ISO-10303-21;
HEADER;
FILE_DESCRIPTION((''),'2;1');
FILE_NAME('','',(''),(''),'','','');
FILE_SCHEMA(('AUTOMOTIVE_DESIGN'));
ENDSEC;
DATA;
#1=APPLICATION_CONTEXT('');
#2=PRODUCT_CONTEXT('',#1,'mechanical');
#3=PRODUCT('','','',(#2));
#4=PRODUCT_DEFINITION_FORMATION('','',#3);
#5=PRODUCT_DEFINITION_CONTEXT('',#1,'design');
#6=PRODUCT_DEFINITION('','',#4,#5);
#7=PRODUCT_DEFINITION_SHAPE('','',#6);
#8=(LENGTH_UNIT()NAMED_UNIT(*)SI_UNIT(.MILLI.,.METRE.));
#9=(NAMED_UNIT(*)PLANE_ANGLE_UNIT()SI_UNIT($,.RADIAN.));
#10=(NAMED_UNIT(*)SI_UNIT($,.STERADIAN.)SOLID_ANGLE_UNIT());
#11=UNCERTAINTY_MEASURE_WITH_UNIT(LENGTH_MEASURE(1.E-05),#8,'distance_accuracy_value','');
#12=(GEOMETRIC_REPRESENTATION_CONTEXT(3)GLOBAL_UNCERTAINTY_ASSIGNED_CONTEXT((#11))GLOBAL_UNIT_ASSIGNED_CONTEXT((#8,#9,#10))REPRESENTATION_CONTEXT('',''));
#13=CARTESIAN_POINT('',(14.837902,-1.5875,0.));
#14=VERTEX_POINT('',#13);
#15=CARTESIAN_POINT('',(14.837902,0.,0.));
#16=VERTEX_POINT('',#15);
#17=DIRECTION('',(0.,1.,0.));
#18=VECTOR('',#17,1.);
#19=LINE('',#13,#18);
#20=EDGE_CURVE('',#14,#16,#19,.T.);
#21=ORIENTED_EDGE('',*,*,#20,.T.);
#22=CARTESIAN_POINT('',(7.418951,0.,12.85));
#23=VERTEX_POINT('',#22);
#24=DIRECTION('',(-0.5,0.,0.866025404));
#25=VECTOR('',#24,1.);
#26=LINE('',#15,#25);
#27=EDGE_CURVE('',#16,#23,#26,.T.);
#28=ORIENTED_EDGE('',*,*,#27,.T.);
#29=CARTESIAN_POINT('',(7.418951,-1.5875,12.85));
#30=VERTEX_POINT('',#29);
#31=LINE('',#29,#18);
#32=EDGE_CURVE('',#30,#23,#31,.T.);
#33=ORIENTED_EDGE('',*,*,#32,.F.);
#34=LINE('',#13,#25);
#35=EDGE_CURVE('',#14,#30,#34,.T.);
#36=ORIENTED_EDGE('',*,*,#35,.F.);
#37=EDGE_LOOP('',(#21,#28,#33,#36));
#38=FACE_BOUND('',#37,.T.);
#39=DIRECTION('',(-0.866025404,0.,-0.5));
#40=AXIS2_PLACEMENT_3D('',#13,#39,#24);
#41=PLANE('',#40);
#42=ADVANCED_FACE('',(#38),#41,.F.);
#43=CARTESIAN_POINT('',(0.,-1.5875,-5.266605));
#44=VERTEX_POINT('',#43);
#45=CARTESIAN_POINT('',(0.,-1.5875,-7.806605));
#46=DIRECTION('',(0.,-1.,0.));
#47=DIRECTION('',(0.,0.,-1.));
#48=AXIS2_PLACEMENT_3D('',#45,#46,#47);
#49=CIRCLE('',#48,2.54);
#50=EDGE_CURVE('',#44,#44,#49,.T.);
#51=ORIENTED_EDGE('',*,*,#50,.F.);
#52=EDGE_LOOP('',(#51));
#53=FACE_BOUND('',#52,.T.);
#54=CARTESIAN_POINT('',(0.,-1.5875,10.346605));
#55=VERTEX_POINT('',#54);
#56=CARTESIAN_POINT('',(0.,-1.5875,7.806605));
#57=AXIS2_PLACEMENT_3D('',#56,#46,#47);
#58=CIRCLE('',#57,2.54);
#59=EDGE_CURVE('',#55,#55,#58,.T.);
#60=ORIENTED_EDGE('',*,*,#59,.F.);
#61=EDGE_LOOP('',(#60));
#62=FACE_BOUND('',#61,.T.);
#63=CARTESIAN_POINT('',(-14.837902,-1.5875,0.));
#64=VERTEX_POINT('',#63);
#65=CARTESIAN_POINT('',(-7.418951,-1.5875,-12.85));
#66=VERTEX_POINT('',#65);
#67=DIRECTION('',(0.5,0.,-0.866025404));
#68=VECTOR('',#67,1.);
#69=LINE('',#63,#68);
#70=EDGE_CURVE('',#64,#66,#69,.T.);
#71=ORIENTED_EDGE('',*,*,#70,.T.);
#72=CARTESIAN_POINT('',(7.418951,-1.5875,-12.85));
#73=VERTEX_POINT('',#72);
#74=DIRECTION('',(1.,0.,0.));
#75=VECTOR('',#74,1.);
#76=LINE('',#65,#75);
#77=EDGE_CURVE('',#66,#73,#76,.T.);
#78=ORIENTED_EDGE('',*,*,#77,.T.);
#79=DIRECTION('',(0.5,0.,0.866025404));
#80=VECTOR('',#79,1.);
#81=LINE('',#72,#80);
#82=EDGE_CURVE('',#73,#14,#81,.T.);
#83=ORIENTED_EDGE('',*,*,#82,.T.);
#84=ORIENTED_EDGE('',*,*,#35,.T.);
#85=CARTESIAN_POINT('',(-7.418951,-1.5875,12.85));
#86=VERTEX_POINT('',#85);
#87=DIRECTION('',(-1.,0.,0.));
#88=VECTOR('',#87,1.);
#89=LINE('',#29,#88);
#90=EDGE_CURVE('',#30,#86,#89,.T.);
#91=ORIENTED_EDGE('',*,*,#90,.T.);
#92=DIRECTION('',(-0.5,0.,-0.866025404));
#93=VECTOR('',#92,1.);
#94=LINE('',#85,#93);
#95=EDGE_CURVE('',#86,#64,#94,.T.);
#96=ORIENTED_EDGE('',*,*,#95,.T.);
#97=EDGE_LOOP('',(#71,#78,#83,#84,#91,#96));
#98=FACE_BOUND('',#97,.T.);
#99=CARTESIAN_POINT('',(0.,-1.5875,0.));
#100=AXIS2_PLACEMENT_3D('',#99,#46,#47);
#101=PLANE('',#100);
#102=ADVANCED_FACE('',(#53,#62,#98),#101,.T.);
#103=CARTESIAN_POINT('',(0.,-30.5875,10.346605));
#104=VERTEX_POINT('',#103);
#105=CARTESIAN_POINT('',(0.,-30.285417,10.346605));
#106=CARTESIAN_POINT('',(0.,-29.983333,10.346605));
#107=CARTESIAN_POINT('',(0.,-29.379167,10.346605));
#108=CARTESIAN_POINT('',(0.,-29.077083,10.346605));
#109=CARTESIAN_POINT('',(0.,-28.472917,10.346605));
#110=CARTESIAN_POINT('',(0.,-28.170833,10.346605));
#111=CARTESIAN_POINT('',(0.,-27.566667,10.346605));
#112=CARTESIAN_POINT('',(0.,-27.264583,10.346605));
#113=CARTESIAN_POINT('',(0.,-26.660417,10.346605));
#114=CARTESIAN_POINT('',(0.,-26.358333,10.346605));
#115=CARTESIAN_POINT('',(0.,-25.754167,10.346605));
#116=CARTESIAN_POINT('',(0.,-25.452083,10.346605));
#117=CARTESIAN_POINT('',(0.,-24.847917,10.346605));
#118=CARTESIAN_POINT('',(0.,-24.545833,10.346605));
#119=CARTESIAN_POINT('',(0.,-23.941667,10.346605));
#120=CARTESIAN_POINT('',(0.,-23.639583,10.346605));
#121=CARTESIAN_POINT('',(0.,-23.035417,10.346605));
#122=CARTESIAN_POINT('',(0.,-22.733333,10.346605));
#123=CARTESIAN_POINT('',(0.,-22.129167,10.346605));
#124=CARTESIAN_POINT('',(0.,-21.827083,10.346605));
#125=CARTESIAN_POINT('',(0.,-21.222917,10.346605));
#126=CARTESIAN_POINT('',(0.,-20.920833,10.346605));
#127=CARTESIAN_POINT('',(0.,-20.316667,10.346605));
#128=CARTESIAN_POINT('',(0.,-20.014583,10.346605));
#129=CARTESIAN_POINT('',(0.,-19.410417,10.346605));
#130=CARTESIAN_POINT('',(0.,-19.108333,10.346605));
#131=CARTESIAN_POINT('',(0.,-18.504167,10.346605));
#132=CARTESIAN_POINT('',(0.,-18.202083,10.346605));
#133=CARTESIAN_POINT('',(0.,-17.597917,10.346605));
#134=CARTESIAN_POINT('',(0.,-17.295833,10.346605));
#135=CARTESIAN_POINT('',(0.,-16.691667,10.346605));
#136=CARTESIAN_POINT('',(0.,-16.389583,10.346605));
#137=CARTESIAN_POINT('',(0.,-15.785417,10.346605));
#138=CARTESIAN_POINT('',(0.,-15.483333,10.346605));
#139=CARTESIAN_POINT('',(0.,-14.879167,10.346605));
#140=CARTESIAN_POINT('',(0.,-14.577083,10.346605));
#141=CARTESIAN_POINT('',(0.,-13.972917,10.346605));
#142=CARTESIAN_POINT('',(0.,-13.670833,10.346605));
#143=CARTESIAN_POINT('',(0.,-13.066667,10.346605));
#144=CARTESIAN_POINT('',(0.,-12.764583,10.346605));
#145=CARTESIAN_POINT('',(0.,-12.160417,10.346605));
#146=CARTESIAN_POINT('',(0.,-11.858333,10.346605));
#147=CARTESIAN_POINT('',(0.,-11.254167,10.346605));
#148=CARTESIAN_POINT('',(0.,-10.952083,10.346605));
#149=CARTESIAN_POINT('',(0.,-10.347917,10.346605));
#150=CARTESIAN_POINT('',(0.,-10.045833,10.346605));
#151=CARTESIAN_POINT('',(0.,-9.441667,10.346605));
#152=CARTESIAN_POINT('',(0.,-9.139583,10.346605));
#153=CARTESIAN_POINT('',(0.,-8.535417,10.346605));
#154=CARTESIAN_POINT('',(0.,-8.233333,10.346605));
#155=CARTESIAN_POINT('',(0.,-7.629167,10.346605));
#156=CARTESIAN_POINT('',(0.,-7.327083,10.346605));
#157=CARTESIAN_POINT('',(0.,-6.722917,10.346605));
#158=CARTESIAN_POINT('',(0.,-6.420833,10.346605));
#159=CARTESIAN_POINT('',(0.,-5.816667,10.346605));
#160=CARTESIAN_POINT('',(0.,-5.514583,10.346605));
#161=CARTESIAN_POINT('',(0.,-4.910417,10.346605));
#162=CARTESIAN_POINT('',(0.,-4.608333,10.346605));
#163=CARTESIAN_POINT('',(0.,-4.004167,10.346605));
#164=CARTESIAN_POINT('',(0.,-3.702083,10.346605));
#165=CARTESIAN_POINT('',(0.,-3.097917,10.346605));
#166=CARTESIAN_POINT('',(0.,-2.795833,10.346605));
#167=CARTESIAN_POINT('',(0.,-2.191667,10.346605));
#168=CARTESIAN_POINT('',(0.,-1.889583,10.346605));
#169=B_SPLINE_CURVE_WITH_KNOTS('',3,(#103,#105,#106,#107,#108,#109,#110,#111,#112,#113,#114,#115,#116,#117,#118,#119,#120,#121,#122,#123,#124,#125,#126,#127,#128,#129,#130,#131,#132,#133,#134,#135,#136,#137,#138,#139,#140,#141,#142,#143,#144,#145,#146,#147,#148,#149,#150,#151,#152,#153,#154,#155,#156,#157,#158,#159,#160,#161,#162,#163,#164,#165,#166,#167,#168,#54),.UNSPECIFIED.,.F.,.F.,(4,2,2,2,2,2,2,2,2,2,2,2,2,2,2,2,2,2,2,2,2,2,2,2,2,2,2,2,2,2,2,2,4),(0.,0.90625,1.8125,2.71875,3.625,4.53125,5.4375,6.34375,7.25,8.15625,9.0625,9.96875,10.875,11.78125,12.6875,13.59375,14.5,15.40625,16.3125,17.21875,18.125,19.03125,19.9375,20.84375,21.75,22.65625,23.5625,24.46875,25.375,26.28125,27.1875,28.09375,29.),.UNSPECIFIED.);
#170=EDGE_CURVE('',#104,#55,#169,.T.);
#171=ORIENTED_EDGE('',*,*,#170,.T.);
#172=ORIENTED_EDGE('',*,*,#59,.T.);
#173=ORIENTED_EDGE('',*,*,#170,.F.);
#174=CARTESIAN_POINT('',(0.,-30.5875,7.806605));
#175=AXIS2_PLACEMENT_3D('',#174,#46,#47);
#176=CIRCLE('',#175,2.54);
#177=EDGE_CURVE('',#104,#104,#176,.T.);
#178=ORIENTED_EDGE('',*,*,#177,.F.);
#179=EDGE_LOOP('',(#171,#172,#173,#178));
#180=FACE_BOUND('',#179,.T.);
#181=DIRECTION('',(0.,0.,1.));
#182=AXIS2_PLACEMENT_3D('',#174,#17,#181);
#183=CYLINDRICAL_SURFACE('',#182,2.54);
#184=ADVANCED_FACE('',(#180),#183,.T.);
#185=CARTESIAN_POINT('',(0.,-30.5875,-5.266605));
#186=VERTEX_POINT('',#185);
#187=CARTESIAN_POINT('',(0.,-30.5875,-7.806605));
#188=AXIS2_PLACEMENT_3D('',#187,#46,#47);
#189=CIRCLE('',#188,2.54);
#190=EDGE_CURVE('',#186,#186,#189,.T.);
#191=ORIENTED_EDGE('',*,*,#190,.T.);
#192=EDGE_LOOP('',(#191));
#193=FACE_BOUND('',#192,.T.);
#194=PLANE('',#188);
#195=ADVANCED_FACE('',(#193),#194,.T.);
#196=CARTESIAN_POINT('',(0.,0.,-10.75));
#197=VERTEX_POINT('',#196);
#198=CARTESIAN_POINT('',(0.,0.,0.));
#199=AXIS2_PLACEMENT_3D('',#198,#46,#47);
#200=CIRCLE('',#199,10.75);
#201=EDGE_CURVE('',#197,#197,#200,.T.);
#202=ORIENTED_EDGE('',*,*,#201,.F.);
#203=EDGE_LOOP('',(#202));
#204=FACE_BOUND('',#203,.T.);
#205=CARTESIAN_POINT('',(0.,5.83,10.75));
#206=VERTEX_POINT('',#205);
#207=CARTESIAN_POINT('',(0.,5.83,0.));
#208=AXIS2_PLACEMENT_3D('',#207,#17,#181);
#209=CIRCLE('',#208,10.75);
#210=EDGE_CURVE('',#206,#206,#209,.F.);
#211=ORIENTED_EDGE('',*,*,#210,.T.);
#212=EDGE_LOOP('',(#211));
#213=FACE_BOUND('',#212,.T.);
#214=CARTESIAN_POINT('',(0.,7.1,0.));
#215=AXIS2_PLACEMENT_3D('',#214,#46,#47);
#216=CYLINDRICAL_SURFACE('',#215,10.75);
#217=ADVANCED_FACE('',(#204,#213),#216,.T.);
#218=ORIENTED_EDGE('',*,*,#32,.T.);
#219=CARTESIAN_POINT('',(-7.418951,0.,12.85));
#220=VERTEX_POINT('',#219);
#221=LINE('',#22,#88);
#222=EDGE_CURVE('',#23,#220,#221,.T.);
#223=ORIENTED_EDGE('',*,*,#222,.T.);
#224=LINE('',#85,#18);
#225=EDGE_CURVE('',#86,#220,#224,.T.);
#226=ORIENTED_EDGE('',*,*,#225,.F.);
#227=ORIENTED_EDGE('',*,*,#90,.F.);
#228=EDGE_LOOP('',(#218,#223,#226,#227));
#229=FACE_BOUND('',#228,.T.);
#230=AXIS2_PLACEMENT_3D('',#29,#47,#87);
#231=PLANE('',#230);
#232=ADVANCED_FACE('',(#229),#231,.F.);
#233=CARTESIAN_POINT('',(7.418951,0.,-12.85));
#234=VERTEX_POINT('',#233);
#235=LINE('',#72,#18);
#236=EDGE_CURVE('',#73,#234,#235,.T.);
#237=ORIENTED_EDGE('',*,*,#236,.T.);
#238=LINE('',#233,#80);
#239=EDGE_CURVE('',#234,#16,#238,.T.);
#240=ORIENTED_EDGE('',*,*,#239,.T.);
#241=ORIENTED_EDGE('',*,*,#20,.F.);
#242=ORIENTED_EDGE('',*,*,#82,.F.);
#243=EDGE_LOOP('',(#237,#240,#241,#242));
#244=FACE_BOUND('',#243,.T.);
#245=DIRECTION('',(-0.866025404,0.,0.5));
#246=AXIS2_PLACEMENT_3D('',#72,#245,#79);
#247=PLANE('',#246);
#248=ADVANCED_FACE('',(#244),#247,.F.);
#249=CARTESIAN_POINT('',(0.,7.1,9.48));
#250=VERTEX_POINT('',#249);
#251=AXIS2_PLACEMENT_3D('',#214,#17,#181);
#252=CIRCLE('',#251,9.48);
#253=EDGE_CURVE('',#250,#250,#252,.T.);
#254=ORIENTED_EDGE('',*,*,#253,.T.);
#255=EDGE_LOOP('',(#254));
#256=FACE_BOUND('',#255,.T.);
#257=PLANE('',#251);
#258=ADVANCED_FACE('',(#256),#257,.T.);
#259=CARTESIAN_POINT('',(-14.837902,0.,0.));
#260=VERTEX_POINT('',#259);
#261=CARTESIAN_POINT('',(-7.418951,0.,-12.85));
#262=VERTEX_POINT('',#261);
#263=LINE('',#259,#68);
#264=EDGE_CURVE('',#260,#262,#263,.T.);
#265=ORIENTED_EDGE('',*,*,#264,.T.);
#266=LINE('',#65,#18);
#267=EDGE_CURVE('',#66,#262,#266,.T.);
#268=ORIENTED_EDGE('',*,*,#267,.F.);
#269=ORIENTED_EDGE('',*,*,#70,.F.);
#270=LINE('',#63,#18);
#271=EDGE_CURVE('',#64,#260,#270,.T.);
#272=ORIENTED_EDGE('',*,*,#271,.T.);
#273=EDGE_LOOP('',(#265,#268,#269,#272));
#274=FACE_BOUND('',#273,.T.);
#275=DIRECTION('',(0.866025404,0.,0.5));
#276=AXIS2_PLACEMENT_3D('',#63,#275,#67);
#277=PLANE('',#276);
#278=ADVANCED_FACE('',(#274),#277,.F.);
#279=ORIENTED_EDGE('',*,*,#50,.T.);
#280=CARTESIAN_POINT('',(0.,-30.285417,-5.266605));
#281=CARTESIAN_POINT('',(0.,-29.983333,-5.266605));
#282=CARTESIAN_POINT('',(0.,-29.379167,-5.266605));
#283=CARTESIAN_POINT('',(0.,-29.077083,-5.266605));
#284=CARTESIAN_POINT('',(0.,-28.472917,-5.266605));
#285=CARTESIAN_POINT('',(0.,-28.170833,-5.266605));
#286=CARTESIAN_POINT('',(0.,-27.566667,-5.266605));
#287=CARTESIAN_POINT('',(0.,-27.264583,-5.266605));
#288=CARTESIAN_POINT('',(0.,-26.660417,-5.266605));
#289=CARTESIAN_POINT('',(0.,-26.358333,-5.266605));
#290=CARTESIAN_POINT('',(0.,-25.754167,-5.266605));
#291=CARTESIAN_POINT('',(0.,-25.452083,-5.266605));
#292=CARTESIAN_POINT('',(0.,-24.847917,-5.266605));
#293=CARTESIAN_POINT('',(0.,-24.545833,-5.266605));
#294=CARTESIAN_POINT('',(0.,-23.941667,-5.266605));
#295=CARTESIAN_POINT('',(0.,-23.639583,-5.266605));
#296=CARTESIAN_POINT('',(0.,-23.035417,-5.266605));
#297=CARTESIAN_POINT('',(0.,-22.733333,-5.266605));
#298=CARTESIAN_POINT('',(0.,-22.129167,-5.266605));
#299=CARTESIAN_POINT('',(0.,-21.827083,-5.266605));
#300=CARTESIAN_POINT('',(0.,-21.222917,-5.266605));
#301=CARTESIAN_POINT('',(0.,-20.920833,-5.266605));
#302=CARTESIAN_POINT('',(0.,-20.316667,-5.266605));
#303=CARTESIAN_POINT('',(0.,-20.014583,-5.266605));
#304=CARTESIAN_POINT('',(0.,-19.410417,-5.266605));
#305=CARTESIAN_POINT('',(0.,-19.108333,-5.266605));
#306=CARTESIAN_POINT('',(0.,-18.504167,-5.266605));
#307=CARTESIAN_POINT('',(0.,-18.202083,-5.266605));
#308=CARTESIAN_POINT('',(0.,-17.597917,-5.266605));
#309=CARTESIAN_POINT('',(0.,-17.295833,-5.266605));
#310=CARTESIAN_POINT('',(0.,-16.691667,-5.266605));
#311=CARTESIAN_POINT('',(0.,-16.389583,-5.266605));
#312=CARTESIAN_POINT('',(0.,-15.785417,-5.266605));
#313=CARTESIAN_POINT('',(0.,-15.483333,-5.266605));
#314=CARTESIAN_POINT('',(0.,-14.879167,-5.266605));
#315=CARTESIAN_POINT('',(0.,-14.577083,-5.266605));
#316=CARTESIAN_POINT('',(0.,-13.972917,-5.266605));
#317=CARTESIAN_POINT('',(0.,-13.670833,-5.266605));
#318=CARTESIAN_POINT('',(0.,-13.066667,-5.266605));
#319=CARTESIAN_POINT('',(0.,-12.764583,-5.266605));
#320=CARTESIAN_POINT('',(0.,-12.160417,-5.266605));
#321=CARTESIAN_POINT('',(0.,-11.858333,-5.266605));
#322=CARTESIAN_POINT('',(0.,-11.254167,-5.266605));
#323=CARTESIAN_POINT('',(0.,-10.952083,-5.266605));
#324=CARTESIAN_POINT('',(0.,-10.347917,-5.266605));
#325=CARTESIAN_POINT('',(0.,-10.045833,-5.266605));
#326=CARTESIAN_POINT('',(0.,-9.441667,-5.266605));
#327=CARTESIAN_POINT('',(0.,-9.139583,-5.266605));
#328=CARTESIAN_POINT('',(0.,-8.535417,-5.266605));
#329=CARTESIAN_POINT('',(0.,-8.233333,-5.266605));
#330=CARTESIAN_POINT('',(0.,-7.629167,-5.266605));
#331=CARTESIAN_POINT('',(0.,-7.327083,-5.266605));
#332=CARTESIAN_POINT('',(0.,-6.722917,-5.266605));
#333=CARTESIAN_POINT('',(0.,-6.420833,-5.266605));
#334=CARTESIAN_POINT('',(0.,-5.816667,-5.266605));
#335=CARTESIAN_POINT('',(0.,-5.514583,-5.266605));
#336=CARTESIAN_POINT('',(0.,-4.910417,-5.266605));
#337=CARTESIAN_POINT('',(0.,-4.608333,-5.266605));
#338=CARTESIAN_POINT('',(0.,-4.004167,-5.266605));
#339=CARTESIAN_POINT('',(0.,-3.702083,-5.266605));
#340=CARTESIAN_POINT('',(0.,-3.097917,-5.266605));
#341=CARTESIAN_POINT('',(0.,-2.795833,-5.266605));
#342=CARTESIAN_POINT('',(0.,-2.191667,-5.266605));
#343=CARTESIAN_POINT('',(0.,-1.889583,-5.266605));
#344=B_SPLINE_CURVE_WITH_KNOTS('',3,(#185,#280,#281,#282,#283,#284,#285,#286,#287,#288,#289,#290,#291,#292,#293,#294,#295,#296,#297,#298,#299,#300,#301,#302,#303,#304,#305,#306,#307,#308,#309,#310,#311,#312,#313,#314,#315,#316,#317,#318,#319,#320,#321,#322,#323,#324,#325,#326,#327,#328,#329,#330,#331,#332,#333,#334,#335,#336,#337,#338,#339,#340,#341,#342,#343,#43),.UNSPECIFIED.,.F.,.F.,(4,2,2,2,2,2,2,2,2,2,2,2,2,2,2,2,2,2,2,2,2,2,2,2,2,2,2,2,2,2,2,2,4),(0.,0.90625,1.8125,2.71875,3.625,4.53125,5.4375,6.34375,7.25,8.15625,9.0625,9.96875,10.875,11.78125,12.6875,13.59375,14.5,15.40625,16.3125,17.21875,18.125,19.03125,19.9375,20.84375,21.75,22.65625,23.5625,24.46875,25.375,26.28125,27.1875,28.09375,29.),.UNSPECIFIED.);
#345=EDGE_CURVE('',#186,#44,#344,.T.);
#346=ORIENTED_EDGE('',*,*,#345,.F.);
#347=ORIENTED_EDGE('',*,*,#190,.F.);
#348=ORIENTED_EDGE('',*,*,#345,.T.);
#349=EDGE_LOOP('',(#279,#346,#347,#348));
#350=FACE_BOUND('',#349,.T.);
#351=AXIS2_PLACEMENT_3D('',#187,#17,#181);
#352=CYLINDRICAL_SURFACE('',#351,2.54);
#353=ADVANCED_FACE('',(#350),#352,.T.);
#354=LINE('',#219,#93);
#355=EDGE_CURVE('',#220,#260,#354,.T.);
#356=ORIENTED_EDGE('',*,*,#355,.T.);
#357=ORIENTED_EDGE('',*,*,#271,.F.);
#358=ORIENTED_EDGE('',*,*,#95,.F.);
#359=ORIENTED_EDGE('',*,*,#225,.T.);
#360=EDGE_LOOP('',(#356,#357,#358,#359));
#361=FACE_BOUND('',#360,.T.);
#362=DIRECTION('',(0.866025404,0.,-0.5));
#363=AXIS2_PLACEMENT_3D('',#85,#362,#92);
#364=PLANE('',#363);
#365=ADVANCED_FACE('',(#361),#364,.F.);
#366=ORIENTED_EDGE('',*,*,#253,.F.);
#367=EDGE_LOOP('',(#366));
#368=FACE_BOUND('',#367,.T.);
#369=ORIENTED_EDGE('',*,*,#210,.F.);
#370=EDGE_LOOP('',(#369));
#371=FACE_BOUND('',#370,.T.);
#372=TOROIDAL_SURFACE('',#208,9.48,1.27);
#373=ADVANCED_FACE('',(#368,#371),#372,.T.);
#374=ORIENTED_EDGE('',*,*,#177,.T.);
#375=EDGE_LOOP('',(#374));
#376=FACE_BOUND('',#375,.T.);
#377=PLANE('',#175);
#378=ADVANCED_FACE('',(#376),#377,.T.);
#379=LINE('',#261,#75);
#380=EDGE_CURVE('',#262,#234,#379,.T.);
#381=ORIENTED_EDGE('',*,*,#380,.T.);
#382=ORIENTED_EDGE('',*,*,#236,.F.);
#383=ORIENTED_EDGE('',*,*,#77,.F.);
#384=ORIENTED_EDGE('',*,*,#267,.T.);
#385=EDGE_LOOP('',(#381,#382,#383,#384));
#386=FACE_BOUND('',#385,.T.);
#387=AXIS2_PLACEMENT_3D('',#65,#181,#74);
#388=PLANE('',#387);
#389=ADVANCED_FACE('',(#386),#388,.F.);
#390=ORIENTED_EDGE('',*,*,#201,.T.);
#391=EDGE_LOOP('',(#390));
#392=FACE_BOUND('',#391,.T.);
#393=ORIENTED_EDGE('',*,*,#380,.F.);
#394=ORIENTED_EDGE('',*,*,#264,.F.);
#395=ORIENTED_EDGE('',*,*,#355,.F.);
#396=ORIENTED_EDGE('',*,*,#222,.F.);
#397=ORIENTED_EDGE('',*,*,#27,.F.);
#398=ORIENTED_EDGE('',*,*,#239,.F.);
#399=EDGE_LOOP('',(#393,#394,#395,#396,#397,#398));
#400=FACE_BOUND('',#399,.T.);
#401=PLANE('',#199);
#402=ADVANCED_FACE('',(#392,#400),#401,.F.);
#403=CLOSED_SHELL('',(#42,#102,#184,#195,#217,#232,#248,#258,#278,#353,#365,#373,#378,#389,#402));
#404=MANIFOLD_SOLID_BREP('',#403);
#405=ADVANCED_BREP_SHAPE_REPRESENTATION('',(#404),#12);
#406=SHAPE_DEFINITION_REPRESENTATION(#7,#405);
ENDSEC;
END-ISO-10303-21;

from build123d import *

# Parameters (mm, degrees)
SKETCH1_R           = 10.75
BOSS_EXTRUDE1_DEPTH = 7.1
BOSS_EXTRUDE2_DEPTH = 1.5875
SKETCH3_R           = 2.54
BOSS_EXTRUDE3_DEPTH = 29
FILLET1_R           = 1.27


with BuildPart() as part:
    # Sketch1 → Boss-Extrude1 (new body)
    with BuildSketch(Plane(origin=(0, 0, 0), x_dir=(1, 0, 0), z_dir=(0, 1, 0))):
        with Locations(Location((0, 0, 0), (0, 0, 270))):
            Circle(SKETCH1_R)
    extrude(amount=BOSS_EXTRUDE1_DEPTH)

    # Sketch2 → Boss-Extrude2 (add)
    with BuildSketch(Plane.XZ):
        Polygon((-14.837901918, 0), (-7.418950959, -12.85), (7.418950959, -12.85), (14.837901918, 0), (7.418950959, 12.85), (-7.418950959, 12.85), align=None)
    extrude(amount=BOSS_EXTRUDE2_DEPTH)

    # Sketch3 → Boss-Extrude3 (add)
    with BuildSketch(Plane.XZ.offset(1.5875)):
        with Locations(Location((0, 7.80660503, 0), (0, 0, 90))):
            Circle(SKETCH3_R)
        with Locations(Location((0, -7.80660503, 0), (0, 0, 90))):
            Circle(SKETCH3_R)
    extrude(amount=BOSS_EXTRUDE3_DEPTH)

    # Fillet1
    fillet1_edges = [part.edges().sort_by_distance(p)[0] for p in [
        (0, 7.1, -10.75),
    ]]
    fillet(fillet1_edges, radius=FILLET1_R)


solid = part.part
